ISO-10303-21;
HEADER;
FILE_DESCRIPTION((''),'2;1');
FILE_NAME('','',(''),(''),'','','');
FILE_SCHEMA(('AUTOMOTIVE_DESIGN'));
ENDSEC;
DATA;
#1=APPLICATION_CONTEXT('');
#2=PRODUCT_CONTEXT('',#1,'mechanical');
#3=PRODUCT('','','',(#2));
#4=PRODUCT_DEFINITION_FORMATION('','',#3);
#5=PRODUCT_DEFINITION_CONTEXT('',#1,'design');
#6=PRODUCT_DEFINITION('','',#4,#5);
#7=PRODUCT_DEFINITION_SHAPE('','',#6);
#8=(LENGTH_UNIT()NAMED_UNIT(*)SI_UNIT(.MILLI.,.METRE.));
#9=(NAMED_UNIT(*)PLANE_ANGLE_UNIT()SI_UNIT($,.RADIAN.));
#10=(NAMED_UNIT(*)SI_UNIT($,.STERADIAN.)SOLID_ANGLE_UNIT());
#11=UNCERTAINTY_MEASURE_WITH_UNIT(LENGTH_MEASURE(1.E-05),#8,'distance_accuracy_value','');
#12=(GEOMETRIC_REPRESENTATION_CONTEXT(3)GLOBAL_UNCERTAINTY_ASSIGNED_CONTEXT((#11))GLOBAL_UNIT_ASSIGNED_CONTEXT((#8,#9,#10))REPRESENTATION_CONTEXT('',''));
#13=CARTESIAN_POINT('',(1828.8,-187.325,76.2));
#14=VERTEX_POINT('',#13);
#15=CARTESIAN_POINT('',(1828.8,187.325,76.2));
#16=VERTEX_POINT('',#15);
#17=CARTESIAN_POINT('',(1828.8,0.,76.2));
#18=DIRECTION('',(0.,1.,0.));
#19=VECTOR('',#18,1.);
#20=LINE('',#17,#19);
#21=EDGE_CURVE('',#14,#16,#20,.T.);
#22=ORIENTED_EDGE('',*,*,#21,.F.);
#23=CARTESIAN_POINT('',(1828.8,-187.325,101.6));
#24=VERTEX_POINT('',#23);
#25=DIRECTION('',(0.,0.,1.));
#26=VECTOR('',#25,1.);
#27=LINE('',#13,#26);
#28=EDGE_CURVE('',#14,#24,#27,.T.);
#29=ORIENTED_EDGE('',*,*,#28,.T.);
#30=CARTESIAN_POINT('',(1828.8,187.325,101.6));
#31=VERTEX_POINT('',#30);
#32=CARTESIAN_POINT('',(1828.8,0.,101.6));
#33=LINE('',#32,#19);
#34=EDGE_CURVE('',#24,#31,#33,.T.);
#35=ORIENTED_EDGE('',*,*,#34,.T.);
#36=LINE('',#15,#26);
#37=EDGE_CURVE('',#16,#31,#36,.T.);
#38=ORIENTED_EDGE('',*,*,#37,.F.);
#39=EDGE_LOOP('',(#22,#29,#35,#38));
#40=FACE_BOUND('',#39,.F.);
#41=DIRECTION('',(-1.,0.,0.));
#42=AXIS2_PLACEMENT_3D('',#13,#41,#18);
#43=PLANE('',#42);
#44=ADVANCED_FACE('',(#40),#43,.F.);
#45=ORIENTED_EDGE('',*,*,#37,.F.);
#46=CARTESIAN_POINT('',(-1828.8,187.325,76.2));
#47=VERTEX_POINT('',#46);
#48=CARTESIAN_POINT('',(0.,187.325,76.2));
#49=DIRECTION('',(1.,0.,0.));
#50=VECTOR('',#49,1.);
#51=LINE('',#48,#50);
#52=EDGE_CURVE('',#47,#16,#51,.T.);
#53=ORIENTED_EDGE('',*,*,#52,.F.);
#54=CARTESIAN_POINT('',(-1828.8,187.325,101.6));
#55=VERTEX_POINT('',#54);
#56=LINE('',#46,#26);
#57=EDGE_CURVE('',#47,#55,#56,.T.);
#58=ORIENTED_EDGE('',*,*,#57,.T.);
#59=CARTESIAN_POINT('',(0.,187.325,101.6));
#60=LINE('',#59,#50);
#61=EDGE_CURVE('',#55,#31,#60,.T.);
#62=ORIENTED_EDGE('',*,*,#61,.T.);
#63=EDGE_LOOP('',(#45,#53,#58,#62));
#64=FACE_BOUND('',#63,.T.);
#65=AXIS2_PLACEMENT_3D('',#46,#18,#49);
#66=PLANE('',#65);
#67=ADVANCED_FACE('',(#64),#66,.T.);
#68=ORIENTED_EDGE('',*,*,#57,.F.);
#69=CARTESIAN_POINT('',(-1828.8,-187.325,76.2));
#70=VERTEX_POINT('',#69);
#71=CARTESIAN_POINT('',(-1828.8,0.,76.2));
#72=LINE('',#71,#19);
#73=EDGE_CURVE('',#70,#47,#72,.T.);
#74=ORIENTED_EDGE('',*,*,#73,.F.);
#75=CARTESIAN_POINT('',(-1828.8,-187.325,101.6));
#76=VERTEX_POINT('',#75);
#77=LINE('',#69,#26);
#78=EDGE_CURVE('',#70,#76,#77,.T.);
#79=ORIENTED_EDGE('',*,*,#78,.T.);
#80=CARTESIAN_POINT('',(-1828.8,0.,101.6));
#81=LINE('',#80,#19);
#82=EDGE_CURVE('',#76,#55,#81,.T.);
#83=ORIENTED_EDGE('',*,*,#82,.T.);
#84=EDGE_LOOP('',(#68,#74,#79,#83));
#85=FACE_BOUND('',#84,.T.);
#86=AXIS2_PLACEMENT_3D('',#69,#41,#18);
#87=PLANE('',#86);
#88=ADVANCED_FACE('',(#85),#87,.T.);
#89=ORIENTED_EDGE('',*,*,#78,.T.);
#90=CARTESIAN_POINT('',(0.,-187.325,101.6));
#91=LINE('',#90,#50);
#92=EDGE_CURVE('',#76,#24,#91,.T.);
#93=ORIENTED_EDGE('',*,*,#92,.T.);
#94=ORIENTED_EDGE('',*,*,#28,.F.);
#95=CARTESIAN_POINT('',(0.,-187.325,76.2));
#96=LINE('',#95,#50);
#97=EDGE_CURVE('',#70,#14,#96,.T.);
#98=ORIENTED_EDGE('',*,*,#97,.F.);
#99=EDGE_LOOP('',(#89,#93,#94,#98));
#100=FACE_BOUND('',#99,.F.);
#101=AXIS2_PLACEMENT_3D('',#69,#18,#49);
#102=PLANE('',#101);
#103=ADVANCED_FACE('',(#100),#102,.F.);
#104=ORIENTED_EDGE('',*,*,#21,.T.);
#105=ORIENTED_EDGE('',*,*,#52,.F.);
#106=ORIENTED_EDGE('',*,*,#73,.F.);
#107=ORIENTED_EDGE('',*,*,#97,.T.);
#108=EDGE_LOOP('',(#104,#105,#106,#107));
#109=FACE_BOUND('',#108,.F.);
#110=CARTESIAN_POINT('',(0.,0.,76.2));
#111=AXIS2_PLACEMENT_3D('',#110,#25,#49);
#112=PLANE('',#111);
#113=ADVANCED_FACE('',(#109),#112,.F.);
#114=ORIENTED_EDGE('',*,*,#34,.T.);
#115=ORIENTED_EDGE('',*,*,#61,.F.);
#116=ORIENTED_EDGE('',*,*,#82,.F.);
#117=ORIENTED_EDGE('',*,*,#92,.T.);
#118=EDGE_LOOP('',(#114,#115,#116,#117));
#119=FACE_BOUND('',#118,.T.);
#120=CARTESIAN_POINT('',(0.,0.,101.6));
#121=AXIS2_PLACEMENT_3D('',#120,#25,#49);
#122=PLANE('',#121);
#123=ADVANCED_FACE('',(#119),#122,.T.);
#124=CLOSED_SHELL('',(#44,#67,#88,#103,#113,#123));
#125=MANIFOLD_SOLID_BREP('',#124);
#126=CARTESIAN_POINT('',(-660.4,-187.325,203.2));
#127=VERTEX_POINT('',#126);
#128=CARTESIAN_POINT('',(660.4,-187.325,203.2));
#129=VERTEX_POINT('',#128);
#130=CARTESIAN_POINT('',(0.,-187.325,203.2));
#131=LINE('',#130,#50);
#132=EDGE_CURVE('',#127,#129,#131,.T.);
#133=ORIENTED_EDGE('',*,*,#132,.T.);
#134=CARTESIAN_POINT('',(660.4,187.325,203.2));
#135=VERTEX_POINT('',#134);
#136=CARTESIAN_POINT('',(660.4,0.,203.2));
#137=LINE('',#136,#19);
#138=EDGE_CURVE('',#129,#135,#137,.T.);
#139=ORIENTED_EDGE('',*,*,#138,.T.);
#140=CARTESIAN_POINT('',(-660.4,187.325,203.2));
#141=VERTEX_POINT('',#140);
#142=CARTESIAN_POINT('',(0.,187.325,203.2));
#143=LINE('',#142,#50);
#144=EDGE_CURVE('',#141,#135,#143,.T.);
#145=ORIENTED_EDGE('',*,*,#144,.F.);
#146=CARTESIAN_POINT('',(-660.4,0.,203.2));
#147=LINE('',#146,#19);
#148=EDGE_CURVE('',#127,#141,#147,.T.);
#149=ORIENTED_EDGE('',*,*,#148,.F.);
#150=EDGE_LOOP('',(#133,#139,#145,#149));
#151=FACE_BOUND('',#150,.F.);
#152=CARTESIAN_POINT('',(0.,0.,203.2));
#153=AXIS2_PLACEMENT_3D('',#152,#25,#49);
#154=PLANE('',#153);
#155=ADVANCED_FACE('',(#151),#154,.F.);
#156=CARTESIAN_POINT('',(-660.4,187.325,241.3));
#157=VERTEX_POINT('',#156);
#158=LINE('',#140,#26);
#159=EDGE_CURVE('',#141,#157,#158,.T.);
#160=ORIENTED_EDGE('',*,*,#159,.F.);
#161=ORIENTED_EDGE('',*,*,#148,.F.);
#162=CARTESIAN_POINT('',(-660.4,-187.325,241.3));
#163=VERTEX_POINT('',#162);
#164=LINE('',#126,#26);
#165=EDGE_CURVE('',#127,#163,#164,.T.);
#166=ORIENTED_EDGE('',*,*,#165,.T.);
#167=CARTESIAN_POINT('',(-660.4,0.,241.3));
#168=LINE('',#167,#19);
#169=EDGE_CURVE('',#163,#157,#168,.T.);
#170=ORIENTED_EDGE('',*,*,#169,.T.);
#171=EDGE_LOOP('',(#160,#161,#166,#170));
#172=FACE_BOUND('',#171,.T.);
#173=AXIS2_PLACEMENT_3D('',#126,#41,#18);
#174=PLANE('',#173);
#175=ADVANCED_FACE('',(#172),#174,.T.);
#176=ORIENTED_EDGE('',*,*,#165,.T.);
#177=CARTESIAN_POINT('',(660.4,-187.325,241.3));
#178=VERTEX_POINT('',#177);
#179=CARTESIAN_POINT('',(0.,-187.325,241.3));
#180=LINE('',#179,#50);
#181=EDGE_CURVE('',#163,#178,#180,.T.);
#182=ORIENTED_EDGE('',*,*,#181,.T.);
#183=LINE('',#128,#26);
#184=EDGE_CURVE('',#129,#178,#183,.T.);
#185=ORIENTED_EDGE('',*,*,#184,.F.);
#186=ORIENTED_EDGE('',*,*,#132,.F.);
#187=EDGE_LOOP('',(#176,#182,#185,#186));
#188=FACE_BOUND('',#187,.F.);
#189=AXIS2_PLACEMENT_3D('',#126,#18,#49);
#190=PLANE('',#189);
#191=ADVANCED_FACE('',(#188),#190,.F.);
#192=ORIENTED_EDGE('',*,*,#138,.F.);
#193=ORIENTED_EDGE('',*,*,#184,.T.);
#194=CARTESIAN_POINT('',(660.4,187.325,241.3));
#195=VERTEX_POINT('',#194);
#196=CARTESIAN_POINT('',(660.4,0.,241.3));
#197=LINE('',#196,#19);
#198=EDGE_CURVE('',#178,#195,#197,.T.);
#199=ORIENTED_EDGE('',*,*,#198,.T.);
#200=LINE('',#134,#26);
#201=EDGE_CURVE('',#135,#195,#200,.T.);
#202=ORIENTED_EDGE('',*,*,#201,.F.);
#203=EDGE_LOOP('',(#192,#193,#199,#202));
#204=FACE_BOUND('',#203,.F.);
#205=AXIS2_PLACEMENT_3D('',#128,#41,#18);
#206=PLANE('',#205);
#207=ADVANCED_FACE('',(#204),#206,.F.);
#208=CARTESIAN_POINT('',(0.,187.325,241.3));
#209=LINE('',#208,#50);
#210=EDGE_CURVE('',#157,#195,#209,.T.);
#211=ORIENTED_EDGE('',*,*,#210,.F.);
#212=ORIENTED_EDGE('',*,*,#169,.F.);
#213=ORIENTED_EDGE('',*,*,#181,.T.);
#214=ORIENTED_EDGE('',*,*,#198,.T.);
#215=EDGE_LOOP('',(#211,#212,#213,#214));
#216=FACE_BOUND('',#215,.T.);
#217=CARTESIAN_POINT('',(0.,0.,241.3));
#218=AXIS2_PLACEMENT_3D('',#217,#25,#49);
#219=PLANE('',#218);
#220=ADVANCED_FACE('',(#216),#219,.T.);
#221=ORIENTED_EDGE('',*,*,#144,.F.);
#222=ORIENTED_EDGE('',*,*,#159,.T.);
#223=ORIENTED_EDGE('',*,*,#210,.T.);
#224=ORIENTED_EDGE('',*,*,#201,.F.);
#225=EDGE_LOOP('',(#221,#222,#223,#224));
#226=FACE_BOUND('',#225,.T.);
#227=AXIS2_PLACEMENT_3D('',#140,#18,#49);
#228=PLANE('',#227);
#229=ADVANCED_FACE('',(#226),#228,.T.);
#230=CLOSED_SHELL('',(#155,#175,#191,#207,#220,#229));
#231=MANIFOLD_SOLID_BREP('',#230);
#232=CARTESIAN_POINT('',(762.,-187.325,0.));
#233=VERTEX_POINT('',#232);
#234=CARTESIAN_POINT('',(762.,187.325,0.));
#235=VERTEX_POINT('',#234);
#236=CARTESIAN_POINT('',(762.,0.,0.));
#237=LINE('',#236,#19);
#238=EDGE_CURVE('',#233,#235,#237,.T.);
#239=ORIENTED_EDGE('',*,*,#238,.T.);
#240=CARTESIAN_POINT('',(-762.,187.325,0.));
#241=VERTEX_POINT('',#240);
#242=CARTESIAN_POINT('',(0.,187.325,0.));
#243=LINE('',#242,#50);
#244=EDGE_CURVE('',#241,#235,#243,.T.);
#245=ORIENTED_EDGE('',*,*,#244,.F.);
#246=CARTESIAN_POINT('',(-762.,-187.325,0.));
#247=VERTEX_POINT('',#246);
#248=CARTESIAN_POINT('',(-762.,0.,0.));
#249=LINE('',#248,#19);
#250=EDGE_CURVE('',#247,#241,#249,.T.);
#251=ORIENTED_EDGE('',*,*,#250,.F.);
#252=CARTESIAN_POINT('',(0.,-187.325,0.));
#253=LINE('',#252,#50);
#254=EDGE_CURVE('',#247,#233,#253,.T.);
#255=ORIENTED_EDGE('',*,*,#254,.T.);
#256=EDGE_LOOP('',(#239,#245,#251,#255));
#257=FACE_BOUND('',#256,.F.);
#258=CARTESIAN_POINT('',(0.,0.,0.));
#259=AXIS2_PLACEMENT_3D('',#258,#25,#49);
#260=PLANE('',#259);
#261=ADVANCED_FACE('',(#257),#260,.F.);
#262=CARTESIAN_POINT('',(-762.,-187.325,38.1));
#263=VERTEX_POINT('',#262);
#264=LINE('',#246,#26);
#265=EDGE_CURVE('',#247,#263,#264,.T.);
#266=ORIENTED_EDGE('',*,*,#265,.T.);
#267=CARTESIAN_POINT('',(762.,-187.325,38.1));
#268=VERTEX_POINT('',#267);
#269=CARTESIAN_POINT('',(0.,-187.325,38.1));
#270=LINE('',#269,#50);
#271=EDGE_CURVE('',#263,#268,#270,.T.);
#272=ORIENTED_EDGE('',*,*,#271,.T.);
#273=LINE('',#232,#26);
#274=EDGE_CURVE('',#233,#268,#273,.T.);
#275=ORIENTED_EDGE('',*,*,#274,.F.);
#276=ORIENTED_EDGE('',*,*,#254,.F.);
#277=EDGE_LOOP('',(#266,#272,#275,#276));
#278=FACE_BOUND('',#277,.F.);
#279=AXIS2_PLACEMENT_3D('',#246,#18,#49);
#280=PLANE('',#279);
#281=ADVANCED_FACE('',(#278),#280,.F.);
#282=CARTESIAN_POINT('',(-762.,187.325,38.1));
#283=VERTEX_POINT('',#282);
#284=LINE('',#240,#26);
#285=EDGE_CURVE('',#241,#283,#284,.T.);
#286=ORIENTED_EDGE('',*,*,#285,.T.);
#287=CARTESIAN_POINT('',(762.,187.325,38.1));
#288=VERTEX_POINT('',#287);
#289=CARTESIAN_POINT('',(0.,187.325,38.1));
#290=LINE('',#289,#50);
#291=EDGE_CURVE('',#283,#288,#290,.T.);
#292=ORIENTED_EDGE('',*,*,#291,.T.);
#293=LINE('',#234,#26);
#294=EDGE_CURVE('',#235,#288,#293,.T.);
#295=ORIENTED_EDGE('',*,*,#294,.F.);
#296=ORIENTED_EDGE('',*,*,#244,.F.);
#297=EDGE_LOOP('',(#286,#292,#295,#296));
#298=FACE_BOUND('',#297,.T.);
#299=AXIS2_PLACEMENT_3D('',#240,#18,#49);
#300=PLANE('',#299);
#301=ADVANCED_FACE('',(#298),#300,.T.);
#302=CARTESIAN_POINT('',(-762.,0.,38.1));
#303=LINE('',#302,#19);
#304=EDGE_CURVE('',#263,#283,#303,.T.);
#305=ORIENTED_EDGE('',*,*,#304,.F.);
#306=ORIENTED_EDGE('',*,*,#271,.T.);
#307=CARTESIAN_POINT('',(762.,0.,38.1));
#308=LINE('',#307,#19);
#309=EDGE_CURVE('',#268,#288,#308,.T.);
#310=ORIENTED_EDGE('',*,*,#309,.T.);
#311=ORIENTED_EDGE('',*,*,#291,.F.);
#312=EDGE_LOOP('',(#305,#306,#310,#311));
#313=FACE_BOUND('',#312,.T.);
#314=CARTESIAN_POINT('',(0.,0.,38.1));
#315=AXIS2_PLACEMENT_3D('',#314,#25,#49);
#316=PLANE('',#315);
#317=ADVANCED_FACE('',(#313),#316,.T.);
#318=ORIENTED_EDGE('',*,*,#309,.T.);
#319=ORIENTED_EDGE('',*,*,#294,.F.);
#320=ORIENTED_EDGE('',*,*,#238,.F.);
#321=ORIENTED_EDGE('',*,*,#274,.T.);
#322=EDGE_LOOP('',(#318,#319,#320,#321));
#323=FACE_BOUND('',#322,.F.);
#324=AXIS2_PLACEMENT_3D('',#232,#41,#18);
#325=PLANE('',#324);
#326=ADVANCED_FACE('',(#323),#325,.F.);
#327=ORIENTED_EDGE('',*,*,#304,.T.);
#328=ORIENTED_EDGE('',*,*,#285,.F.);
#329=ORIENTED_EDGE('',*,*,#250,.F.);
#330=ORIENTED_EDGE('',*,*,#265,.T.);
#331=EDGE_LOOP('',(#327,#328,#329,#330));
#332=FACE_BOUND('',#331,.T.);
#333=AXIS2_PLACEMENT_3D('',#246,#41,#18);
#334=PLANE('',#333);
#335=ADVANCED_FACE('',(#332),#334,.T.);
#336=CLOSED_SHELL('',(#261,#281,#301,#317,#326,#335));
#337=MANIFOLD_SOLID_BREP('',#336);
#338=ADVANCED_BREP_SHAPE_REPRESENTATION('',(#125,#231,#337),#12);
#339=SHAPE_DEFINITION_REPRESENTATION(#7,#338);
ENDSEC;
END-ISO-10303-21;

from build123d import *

# Parameters (mm, degrees)
F0_W     = 1524
F0_H     = 374.65
F1_DEPTH = 38.1
F3_W     = 3657.6
F3_H     = 374.65
F4_DEPTH = 25.4
F6_W     = 1320.8
F6_H     = 374.65
F7_DEPTH = 38.1


with BuildPart() as f1:
    # F0 (on Top) → F1 (new body)
    with BuildSketch(Plane.XY):
        Rectangle(F0_W, F0_H)
    extrude(amount=F1_DEPTH)


with BuildPart() as f4:
    # F3 (on offset) → F4 (new body)
    with BuildSketch(Plane.XY.offset(76.2)):
        Rectangle(F3_W, F3_H)
    extrude(amount=F4_DEPTH)


with BuildPart() as f7:
    # F6 (on offset) → F7 (new body)
    with BuildSketch(Plane.XY.offset(203.2)):
        Rectangle(F6_W, F6_H)
    extrude(amount=F7_DEPTH)


solid = Compound([f1.part, f4.part, f7.part])
